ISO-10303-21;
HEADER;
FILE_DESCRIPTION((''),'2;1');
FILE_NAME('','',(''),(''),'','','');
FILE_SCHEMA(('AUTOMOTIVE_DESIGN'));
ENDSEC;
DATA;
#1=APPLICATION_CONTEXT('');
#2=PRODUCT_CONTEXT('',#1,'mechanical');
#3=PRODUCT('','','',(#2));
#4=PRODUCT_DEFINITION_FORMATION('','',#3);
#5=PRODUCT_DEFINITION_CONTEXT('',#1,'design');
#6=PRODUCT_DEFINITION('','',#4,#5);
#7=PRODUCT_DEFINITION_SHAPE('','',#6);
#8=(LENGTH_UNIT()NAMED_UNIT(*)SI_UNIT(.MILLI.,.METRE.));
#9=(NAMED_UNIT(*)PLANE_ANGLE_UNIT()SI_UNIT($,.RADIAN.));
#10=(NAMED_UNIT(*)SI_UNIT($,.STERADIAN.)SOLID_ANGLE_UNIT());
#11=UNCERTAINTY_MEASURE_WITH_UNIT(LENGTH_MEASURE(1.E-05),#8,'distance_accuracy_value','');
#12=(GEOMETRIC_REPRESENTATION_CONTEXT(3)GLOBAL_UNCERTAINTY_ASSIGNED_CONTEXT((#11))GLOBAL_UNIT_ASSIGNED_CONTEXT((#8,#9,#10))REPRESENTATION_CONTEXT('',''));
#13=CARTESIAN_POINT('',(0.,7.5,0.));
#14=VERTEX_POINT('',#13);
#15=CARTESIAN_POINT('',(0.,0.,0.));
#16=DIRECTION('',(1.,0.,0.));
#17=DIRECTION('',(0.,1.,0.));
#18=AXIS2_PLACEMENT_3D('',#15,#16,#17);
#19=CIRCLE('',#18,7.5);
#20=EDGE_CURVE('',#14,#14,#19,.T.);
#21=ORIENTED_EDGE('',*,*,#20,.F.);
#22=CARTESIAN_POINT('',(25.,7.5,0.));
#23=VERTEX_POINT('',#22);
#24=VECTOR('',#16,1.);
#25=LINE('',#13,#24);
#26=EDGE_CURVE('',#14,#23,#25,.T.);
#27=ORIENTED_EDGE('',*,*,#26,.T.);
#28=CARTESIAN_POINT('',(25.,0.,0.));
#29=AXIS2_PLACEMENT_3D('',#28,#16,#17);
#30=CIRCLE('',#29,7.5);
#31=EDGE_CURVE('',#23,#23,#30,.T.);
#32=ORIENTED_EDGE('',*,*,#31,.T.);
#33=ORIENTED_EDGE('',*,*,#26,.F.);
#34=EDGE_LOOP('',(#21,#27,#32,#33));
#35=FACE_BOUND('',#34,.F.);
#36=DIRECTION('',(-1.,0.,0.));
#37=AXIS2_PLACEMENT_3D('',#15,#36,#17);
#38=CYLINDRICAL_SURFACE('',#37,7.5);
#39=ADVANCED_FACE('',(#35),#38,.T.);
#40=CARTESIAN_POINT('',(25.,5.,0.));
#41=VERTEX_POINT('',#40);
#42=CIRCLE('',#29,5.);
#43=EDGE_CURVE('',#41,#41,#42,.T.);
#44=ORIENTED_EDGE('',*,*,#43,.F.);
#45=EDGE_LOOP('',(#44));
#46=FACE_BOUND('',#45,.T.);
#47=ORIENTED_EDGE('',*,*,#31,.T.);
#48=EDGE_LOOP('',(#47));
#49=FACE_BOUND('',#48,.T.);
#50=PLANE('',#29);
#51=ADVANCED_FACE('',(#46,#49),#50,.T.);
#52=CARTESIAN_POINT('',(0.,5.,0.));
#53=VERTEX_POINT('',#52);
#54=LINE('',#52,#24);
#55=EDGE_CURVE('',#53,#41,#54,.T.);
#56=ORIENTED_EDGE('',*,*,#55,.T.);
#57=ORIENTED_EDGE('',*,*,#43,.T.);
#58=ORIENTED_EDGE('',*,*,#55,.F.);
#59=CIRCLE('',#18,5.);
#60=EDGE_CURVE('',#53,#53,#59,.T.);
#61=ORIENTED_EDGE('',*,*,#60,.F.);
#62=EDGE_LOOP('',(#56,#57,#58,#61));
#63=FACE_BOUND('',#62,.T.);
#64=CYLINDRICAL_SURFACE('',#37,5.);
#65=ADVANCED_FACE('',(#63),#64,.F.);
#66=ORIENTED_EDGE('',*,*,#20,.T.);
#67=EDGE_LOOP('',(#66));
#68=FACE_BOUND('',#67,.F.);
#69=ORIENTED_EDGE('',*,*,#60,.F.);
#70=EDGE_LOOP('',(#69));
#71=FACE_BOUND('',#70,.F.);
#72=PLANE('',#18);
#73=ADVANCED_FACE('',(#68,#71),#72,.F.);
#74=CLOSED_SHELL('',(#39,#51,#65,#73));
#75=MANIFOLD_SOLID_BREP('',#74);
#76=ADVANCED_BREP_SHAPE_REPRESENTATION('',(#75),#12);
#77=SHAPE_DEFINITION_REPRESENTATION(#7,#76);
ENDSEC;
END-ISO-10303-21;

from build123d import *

# Parameters (mm, degrees)
F0_R     = 7.5
F2_DEPTH = 25
F1_R     = 5
F3_DEPTH = 25


with BuildPart() as f2:
    # F0 (on Right) → F2 (new body)
    with BuildSketch(Plane.YZ):
        Circle(F0_R)
    extrude(amount=F2_DEPTH)

    # F1 (on face) → F3 (cut)
    with BuildSketch(Plane.YZ):
        Circle(F1_R)
    extrude(amount=F3_DEPTH, mode=Mode.SUBTRACT)


solid = f2.part
